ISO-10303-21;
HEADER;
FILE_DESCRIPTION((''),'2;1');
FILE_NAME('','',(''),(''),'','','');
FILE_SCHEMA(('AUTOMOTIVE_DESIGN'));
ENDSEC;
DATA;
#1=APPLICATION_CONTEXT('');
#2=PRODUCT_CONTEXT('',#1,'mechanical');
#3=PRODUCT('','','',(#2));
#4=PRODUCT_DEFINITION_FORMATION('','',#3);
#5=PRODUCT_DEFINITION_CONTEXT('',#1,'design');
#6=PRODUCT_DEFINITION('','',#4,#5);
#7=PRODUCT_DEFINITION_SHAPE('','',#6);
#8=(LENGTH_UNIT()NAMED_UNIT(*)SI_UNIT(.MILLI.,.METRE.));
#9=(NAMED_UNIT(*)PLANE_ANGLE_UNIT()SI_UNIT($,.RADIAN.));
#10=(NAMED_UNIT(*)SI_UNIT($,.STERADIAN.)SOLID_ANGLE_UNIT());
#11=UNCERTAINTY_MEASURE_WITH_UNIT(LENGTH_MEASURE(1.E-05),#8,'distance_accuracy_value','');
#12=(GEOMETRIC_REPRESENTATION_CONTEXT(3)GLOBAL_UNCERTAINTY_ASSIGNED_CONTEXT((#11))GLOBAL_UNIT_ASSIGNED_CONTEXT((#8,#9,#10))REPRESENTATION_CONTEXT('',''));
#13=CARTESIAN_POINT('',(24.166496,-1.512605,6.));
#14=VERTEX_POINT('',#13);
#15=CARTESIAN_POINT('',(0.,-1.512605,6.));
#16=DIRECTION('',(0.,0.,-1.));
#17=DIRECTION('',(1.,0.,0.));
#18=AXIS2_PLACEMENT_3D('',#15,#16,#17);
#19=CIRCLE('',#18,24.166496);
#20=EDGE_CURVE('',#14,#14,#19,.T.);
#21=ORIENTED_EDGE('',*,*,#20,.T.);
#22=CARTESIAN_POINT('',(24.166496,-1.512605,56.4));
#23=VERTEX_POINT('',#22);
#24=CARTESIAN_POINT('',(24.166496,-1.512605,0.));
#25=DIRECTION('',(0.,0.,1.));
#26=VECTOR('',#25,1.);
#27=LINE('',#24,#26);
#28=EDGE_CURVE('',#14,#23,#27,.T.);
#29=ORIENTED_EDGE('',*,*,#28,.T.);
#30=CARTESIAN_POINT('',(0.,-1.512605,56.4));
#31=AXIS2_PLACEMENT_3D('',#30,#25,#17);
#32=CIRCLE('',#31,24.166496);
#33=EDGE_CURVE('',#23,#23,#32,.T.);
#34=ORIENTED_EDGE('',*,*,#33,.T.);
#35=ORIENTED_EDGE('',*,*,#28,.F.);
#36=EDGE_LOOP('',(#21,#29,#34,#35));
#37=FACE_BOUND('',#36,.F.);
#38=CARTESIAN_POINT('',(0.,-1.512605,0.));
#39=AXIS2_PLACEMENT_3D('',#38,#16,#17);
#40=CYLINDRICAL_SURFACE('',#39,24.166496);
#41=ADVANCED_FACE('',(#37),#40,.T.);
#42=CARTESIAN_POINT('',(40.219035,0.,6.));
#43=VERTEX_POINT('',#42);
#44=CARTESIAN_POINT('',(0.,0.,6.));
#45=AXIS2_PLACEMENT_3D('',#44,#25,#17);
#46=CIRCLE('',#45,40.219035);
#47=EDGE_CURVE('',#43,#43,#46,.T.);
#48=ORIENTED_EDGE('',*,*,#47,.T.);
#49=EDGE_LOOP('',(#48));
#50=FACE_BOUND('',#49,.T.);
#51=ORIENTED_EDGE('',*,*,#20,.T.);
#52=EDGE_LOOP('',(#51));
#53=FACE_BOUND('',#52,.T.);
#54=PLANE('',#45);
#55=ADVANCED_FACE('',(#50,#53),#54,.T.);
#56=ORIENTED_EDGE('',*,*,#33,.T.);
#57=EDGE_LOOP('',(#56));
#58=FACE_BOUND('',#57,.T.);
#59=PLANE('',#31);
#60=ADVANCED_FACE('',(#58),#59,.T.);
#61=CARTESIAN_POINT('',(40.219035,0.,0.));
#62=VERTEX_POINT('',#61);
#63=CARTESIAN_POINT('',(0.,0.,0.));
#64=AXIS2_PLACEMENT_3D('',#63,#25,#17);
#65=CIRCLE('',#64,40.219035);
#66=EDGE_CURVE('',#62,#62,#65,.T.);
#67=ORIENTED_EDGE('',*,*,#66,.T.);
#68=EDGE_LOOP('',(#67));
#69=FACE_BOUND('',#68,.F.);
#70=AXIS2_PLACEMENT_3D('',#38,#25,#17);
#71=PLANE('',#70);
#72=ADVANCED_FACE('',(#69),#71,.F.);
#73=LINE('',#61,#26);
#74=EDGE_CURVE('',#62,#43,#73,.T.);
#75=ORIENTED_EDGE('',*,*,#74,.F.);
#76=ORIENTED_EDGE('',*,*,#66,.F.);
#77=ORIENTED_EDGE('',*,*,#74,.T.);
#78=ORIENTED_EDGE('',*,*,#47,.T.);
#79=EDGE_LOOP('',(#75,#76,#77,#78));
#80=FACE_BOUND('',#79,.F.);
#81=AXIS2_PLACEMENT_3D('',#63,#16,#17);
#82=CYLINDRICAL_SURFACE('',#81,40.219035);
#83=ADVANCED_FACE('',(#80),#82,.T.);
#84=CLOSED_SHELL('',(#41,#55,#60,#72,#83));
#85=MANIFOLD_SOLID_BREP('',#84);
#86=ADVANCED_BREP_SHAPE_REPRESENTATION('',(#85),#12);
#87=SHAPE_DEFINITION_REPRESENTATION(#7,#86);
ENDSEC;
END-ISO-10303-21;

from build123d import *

# Parameters (mm, degrees)
F0_R     = 40.219035
F1_DEPTH = 6
F2_R     = 24.166496
F3_DEPTH = 56.4


with BuildPart() as f1:
    # F0 (on Top) → F1 (new body)
    with BuildSketch(Plane.XY):
        Circle(F0_R)
    extrude(amount=F1_DEPTH)

    # F2 (on Top) → F3 (join)
    with BuildSketch(Plane.XY):
        with Locations((0, -1.512605)):
            Circle(F2_R)
    extrude(amount=F3_DEPTH)


solid = f1.part
